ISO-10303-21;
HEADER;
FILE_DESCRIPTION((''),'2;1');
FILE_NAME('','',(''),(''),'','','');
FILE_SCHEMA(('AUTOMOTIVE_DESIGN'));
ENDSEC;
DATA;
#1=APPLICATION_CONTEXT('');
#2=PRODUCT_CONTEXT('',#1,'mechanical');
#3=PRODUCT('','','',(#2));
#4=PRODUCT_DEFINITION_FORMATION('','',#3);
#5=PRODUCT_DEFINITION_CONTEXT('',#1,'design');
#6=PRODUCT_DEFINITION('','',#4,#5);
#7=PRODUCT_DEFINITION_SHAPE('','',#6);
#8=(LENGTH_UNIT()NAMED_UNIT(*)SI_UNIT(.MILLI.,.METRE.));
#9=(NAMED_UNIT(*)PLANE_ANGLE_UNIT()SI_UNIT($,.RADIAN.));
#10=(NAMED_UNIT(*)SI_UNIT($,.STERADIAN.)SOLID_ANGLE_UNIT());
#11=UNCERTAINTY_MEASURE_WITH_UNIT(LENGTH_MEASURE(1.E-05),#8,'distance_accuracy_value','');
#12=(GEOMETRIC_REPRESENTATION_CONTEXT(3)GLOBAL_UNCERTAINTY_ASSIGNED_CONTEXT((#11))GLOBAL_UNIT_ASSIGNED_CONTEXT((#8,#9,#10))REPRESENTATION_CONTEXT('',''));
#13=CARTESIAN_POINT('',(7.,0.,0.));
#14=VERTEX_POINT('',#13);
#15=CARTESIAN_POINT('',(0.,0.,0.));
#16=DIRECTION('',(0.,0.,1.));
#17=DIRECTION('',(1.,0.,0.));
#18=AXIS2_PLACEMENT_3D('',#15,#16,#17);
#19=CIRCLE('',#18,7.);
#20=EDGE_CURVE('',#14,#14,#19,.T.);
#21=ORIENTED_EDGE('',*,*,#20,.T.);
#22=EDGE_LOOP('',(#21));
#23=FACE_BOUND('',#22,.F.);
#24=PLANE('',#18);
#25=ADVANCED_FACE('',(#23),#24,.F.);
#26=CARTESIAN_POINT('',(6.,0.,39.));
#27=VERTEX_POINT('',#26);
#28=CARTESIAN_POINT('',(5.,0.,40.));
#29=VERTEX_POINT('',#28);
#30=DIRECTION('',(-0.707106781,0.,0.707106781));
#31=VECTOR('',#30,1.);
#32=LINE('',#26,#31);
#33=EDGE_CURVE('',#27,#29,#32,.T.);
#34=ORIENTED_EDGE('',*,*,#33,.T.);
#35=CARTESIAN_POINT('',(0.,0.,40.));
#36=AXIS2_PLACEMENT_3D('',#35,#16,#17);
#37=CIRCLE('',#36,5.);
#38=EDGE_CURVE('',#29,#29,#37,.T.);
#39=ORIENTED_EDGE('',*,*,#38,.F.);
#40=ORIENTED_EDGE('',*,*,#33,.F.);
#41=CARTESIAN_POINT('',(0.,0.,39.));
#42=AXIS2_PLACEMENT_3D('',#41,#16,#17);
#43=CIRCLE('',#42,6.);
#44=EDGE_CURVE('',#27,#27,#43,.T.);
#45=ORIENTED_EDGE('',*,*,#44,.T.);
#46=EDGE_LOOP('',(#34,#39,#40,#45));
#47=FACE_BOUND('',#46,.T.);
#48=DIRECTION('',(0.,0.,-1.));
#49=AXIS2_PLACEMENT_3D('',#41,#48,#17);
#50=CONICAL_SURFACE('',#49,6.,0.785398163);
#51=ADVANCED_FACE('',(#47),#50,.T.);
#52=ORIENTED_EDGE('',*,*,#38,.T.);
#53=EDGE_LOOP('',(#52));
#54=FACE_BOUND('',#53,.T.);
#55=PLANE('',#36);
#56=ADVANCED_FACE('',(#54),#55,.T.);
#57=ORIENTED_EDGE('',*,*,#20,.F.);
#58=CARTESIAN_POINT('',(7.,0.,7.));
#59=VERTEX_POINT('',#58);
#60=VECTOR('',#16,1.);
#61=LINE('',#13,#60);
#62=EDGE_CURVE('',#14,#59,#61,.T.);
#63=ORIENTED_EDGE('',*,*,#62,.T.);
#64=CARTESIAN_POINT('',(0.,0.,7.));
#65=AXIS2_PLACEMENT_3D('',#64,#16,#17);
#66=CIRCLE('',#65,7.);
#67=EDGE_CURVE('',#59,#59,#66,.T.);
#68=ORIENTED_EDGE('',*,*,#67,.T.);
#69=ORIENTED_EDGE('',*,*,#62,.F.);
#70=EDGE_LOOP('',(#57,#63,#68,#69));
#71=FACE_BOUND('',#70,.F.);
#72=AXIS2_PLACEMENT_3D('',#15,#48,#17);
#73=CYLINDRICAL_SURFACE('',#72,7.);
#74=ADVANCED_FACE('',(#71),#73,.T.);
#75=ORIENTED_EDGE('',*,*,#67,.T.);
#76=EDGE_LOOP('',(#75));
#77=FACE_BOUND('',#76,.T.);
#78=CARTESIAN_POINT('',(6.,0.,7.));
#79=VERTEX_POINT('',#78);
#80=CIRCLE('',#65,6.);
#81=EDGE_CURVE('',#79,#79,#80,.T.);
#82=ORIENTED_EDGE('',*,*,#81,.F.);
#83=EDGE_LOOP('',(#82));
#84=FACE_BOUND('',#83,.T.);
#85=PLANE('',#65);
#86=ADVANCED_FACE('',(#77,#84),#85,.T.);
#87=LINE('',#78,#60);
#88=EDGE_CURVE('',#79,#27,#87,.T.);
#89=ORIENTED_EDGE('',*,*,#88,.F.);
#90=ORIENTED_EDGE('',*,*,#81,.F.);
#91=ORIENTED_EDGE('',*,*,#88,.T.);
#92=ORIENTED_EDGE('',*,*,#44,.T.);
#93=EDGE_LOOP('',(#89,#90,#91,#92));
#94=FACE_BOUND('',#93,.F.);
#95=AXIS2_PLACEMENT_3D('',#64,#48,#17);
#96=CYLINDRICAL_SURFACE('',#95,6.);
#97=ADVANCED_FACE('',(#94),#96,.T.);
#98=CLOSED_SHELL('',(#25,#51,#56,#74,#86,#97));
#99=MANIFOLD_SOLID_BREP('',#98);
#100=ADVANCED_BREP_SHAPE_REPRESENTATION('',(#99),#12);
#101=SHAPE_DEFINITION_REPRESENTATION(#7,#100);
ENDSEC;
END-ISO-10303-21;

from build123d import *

# Parameters (mm, degrees)
SKETCH1_R           = 7
BOSS_EXTRUDE1_DEPTH = 7
SKETCH2_R           = 6
BOSS_EXTRUDE2_DEPTH = 33
CHAMFER1_SIZE       = 1


with BuildPart() as part:
    # Sketch1 → Boss-Extrude1 (new body)
    with BuildSketch(Plane.XY):
        Circle(SKETCH1_R)
    extrude(amount=BOSS_EXTRUDE1_DEPTH)

    # Sketch2 → Boss-Extrude2 (add)
    with BuildSketch(Plane.XY.offset(7)):
        Circle(SKETCH2_R)
    extrude(amount=BOSS_EXTRUDE2_DEPTH)

    # Chamfer1
    chamfer1_edges = [part.edges().sort_by_distance(p)[0] for p in [
        (-6, 0, 40),
    ]]
    chamfer(chamfer1_edges, length=CHAMFER1_SIZE)


solid = part.part
